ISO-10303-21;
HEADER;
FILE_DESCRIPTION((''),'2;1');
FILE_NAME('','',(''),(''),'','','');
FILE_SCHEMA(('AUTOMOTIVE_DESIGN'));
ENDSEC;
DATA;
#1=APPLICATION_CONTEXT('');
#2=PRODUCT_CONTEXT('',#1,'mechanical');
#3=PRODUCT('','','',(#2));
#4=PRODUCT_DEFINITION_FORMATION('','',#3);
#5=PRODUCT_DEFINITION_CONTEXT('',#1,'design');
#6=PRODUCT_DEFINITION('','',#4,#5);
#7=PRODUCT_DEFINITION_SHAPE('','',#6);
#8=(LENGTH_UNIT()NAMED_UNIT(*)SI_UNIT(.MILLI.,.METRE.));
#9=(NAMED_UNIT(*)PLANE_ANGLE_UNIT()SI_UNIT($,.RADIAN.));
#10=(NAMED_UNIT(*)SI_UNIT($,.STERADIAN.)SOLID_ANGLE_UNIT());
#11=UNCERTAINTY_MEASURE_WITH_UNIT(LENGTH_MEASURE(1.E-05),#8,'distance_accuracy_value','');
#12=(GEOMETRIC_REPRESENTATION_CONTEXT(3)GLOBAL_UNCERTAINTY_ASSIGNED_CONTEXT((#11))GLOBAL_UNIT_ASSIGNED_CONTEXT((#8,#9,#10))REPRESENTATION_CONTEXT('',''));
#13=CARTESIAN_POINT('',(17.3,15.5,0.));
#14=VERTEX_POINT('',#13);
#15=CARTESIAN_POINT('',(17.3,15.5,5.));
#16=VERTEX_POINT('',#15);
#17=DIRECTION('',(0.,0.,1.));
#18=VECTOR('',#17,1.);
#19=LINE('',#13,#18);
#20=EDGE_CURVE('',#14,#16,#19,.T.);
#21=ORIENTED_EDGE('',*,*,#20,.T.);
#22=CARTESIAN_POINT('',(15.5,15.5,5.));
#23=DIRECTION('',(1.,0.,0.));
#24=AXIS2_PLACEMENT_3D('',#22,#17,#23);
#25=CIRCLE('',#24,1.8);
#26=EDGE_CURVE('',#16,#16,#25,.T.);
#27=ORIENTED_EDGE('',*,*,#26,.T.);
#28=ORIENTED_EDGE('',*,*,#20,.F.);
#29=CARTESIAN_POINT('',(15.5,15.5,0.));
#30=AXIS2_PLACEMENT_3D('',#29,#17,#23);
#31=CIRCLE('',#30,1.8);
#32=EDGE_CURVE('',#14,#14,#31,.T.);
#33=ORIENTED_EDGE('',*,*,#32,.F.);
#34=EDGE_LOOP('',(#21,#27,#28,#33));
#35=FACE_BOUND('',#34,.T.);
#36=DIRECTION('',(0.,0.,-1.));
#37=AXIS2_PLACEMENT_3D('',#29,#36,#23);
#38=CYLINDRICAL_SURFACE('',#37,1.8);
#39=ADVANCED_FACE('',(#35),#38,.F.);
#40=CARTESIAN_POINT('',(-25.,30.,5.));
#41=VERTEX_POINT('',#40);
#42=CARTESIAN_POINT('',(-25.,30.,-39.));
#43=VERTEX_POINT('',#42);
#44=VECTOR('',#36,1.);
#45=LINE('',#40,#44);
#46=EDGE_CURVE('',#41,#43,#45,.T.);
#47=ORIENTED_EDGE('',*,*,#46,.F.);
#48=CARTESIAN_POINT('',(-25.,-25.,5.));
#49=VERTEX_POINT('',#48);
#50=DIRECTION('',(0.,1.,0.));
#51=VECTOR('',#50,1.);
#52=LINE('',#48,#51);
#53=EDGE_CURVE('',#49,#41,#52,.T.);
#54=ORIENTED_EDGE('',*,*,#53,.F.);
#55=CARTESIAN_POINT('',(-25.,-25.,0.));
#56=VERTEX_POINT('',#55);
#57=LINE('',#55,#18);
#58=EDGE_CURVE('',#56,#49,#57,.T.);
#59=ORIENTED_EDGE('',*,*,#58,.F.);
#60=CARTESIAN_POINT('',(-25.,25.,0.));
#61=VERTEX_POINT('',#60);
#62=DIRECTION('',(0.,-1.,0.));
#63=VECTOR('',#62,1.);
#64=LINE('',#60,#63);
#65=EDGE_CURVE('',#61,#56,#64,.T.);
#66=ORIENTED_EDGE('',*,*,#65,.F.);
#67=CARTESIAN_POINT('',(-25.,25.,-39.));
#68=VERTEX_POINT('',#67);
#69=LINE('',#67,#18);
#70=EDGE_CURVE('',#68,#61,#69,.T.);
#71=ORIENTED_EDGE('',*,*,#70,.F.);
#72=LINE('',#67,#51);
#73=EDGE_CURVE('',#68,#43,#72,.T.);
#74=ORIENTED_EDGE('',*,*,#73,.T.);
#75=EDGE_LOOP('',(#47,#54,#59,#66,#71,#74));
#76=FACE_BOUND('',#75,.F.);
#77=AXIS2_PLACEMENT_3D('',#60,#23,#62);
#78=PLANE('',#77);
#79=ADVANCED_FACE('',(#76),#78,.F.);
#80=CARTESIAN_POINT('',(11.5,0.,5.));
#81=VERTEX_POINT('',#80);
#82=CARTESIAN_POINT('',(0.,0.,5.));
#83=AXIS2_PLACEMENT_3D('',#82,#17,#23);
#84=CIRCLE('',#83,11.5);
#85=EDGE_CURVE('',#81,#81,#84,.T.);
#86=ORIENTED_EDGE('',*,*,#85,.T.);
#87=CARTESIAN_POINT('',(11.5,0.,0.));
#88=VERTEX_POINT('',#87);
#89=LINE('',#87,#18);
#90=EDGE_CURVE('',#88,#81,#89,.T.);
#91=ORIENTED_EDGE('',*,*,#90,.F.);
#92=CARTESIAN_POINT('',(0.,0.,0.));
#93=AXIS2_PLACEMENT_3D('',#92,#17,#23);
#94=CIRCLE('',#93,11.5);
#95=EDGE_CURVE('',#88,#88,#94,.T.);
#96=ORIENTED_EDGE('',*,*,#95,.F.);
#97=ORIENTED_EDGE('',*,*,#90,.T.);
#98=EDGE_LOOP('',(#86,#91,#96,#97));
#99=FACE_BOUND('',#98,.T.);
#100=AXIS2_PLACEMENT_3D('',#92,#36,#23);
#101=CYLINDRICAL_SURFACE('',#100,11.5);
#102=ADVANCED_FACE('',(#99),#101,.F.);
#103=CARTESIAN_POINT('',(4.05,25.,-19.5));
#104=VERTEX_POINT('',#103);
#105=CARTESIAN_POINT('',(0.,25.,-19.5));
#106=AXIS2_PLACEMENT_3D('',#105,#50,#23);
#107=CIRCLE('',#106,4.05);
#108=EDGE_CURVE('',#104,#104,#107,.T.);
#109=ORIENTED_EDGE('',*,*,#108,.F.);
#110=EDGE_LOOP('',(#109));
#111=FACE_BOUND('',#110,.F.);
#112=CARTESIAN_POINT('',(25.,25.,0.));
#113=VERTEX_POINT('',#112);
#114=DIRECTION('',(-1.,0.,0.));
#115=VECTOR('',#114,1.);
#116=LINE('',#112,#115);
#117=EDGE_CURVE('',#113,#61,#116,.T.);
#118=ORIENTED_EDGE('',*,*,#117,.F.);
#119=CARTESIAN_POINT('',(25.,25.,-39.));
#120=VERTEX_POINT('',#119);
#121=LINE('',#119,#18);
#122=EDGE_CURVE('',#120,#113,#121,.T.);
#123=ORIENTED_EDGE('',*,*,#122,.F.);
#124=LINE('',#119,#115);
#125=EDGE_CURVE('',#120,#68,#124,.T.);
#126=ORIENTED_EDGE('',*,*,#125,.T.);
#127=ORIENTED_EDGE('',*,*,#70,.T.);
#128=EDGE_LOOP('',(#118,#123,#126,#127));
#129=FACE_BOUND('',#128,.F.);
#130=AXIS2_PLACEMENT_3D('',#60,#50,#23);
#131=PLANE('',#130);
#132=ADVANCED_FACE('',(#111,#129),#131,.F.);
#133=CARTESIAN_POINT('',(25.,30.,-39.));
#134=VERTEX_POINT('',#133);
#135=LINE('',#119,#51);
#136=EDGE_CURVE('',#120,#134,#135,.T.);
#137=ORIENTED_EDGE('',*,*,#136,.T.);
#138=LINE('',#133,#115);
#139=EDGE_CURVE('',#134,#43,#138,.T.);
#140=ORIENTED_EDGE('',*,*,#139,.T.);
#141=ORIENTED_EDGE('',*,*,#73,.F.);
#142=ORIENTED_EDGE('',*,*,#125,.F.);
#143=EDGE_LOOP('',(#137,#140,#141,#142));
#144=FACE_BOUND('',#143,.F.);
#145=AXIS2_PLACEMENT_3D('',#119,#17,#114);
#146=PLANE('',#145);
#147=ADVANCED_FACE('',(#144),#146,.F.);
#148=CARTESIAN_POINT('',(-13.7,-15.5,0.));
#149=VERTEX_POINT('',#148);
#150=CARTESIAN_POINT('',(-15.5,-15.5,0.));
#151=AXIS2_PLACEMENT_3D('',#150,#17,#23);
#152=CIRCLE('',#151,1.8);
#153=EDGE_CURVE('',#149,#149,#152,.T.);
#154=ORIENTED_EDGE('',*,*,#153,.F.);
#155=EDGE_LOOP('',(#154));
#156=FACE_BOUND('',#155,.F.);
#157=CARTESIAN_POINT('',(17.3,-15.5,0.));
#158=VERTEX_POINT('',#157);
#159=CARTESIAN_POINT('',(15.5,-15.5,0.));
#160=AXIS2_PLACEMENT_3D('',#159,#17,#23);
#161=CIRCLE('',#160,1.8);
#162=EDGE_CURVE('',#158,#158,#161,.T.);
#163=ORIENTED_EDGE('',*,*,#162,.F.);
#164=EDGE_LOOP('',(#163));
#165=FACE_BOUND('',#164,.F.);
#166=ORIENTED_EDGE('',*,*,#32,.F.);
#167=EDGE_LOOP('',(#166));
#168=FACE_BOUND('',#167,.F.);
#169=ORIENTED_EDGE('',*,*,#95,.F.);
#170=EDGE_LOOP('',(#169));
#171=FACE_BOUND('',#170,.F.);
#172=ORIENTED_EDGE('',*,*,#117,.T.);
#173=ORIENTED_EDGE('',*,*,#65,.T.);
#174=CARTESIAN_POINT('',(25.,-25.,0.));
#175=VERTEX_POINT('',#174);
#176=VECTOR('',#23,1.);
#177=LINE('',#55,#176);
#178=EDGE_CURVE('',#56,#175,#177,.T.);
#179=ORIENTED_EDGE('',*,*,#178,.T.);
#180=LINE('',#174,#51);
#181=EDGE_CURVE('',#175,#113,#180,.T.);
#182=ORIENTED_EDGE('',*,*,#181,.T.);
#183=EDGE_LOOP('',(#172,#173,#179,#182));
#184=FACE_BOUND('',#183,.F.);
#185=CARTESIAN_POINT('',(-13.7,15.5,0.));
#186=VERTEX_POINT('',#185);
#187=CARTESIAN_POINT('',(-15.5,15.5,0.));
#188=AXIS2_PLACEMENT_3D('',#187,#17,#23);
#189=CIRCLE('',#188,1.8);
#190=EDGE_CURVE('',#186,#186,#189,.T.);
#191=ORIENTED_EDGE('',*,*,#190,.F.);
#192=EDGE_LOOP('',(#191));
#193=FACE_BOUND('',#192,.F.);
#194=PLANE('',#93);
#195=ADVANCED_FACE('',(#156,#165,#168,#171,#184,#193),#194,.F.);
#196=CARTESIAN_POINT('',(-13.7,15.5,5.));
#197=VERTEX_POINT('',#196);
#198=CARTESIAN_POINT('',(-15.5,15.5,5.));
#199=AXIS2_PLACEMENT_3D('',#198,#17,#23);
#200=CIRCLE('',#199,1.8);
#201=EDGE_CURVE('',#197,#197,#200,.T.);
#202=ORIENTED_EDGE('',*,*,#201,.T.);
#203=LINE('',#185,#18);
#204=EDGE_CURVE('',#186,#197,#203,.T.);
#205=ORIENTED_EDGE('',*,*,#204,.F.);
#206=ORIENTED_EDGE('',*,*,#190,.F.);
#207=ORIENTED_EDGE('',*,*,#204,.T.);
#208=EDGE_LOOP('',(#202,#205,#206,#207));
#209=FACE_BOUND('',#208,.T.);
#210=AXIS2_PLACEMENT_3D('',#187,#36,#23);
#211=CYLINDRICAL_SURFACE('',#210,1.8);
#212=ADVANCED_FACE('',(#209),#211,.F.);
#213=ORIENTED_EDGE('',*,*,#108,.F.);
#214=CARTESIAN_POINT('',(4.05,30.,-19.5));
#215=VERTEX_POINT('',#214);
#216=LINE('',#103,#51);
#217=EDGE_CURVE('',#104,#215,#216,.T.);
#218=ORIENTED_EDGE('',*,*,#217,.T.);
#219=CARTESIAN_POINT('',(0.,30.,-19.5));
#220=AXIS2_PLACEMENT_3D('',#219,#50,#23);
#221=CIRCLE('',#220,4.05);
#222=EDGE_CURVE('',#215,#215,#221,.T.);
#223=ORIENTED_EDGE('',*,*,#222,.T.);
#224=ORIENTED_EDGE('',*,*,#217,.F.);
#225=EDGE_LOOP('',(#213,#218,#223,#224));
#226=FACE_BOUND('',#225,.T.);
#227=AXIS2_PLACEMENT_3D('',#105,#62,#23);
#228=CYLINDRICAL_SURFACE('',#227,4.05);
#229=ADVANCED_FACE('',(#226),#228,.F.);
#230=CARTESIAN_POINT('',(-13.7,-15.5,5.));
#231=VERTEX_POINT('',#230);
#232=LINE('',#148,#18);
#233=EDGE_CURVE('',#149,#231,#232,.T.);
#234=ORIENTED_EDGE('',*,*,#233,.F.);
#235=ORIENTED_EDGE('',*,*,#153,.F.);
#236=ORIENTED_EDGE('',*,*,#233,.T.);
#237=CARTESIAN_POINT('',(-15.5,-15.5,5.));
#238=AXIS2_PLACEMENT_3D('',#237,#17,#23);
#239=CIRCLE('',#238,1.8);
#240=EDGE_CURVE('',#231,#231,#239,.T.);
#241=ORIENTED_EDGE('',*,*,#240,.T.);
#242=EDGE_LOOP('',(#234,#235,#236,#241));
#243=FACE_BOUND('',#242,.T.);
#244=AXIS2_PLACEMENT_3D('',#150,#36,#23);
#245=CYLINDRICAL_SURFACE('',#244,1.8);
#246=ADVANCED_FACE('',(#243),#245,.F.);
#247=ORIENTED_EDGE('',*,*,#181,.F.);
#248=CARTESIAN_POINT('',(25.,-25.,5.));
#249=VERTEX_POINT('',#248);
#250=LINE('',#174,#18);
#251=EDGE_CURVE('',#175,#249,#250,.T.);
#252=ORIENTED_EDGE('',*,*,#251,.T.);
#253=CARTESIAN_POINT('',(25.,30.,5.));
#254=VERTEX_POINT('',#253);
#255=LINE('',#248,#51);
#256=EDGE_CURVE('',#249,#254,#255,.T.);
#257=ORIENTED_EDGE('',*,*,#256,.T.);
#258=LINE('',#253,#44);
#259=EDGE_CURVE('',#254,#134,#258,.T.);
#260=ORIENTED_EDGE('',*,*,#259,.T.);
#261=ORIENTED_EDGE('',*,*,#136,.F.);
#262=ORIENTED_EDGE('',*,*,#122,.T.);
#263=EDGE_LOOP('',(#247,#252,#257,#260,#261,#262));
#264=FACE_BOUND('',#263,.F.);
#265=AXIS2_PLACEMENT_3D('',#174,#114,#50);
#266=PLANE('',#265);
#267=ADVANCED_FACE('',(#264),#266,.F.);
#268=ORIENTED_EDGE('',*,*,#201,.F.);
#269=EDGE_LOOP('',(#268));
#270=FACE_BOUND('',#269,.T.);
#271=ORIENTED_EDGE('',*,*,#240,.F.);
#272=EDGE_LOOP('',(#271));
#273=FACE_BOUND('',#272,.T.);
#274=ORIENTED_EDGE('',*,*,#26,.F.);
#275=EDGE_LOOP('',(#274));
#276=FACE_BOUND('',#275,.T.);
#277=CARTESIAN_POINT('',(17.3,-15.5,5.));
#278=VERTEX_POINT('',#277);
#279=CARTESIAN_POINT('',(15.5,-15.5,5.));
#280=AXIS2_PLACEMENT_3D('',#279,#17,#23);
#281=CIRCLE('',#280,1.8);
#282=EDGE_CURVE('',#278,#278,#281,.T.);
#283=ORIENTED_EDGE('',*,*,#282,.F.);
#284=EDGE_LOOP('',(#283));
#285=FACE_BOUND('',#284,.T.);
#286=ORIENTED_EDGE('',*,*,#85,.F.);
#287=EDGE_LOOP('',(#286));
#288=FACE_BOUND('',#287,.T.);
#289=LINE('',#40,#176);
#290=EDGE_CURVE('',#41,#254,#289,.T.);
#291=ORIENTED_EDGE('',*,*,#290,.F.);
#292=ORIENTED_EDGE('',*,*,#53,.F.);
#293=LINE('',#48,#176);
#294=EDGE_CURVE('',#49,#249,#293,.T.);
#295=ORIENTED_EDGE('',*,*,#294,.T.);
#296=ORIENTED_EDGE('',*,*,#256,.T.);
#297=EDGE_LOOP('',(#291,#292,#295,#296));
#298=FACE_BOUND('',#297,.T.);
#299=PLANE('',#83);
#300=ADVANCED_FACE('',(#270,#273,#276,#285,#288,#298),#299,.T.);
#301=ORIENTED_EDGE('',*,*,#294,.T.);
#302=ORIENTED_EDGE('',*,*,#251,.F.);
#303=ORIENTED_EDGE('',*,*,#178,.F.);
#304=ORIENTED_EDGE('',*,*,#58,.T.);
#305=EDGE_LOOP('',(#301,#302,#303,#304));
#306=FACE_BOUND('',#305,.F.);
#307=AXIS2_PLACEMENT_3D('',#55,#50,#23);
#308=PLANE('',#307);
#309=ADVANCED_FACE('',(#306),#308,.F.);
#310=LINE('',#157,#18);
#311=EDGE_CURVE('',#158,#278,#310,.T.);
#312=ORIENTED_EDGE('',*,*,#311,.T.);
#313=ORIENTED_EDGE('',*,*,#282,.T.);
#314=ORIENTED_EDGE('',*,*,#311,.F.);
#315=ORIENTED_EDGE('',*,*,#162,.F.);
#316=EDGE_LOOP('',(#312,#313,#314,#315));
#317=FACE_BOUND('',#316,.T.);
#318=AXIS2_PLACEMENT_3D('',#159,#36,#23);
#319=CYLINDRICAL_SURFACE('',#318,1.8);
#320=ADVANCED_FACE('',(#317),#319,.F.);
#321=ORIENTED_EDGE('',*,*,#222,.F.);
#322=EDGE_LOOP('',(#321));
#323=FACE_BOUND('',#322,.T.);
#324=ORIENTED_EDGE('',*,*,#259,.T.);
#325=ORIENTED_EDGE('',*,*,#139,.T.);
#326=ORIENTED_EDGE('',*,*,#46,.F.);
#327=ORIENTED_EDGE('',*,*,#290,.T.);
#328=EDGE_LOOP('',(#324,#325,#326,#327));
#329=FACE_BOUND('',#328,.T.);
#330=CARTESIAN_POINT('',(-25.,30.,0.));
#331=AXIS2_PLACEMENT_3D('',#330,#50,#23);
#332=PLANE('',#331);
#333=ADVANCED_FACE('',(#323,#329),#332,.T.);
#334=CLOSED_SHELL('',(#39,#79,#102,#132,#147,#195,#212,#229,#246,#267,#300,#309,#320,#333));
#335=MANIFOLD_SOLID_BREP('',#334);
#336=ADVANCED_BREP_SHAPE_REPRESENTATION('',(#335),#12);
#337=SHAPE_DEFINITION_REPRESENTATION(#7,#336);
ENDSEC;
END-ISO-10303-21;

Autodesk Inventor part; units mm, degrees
ref_plane "YZ Plane" through (0, 0, 0) normal (1, 0, 0) x (0, 1, 0)
ref_plane "XZ Plane" through (0, 0, 0) normal (0, 1, 0) x (-1, 0, 0)
ref_plane "XY Plane" through (0, 0, 0) normal (0, 0, 1) x (1, 0, 0)
sketch "Эскиз1" plane through (0, 0, 0) normal (0, 0, 1) x (1, 0, 0)
  line L0 (-25, -25) -> (25, -25)
  line L1 (25, -25) -> (25, 25)
  line L2 (25, 25) -> (-25, 25)
  line L3 (-25, 25) -> (-25, -25)
  circle A0 centre (0, 0) radius 11.5
  circle A1 centre (15.5, 15.5) radius 1.8
  circle A2 centre (-15.5, 15.5) radius 1.8
  circle A3 centre (-15.5, -15.5) radius 1.8
  circle A4 centre (15.5, -15.5) radius 1.8
  dimension "d0" = 50
  dimension "d1" = 50
  dimension "d2" = 23
  dimension "d3" = 3.6
  dimension "d6" = 360
  dimension "d14" = 25
  dimension "d15" = 25
  dimension "d16" = 9.5
  dimension "d17" = 9.5
extrude "Выдавливание1" add sketch "Эскиз1" along normal blind 5
sketch "Эскиз2" plane through (-25, 25, 0) normal (0, 1, 0) x (1, 0, 0)
  line L0 (0, 0) -> (50, 0)
  line L1 (50, 0) -> (50, 39)
  line L2 (50, 39) -> (0, 39)
  line L3 (0, 39) -> (0, 0)
  line L4 (0, -5) -> (50, -5) projected
  line L5 (50, 0) -> (50, -5) projected
  line L6 (0, -5) -> (50, -5)
  line L7 (50, -5) -> (50, 0)
  line L8 (50, 0) -> (0, 0)
  line L9 (0, 0) -> (0, -5)
  circle A0 centre (25, 19.5) radius 4.05
  point P0 (25, 0)
  dimension "d10" = 50
  dimension "d11" = 39
  dimension "d19" = 8.1
extrude "Выдавливание3" add sketch "Эскиз2" along normal blind 5
properties part number "motor_holder"
